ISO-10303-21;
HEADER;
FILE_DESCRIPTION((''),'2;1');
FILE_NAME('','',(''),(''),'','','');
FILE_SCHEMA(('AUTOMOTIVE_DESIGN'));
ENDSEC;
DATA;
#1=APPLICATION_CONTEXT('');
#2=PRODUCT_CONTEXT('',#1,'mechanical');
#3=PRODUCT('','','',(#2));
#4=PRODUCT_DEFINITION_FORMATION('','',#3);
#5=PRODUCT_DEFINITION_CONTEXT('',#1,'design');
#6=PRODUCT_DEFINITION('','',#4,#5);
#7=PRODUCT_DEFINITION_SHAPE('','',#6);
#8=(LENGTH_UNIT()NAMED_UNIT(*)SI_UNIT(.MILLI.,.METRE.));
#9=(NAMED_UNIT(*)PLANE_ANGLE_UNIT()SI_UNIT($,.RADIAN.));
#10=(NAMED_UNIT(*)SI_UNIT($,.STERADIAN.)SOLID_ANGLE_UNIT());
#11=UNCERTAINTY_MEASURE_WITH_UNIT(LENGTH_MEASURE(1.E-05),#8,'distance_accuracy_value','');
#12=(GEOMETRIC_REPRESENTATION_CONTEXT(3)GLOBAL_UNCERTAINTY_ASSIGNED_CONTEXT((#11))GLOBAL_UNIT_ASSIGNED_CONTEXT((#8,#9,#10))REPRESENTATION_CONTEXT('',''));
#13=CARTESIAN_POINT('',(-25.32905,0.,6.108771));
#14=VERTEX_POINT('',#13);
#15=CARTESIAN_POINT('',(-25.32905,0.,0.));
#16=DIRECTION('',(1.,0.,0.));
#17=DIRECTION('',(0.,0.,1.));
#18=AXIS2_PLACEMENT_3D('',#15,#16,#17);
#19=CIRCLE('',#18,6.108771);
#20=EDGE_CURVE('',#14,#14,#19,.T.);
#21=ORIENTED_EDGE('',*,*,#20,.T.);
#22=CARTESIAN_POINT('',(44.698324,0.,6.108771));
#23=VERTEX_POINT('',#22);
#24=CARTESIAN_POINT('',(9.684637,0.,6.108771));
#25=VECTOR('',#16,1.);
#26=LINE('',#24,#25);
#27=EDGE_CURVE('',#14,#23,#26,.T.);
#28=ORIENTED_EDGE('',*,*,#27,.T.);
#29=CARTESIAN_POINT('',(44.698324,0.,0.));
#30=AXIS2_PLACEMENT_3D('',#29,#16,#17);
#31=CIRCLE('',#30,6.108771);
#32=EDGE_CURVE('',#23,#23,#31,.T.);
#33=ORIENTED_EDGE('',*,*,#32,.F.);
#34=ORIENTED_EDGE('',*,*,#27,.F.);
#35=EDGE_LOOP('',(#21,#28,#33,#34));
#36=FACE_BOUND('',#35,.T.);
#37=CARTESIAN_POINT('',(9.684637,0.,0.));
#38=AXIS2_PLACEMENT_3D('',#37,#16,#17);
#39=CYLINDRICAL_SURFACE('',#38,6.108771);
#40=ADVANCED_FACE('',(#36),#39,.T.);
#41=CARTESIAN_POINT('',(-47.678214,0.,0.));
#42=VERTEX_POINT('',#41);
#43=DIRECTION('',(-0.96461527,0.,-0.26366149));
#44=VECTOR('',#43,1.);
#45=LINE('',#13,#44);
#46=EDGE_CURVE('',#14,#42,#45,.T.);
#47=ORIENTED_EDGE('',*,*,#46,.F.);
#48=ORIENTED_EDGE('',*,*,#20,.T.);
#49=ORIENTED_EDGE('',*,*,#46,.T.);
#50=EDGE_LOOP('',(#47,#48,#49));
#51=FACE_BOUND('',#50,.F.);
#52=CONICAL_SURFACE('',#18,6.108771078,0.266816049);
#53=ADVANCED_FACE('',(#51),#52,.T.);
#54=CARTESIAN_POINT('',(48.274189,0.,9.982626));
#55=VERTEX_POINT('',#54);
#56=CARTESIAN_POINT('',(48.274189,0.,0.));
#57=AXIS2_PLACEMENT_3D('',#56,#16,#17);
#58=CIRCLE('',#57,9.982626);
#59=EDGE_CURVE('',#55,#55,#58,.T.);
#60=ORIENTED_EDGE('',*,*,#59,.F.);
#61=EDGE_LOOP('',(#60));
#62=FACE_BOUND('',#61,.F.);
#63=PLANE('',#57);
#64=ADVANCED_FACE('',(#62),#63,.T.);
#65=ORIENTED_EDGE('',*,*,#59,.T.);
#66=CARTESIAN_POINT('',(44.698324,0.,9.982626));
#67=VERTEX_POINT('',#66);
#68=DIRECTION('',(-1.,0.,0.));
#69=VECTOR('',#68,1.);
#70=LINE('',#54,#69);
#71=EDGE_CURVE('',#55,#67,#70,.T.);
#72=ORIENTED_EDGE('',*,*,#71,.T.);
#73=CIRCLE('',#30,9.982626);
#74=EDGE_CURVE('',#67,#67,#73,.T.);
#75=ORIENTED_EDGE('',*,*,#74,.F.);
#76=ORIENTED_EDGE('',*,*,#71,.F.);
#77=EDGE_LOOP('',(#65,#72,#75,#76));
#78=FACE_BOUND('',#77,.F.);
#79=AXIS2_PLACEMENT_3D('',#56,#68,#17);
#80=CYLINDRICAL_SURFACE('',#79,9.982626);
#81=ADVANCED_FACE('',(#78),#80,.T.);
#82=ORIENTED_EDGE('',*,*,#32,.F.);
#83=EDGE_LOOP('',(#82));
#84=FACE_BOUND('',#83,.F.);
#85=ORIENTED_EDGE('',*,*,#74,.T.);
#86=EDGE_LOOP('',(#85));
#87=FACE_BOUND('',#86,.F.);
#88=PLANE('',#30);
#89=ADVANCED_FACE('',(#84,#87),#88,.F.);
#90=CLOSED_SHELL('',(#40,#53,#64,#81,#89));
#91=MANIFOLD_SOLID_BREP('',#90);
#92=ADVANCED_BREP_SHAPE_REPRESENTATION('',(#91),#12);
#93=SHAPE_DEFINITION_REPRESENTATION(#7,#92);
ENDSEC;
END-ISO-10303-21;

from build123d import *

# Parameters (mm, degrees)
F0_W = 70.0273737311
F0_H = 6.1087710783


with BuildPart() as f1:
    # F0 (on Front) → F1 (revolve)
    with BuildSketch(Plane.XZ):
        with Locations((9.6846371889, 3.0543855391)):
            Rectangle(F0_W, F0_H)
        Polygon((-25.3290496767, 0), (-25.3290496767, 6.1087710783), (-47.6782135665, 0), align=None)
        Polygon((44.6983240545, 9.9826259539), (44.6983240545, 6.1087710783), (44.6983240545, 0), (48.2741892338, 0), (48.2741892338, 9.9826259539), align=None)
    revolve(axis=Axis((9.6846371889, 0, 0), (1, 0, 0)))


solid = f1.part
